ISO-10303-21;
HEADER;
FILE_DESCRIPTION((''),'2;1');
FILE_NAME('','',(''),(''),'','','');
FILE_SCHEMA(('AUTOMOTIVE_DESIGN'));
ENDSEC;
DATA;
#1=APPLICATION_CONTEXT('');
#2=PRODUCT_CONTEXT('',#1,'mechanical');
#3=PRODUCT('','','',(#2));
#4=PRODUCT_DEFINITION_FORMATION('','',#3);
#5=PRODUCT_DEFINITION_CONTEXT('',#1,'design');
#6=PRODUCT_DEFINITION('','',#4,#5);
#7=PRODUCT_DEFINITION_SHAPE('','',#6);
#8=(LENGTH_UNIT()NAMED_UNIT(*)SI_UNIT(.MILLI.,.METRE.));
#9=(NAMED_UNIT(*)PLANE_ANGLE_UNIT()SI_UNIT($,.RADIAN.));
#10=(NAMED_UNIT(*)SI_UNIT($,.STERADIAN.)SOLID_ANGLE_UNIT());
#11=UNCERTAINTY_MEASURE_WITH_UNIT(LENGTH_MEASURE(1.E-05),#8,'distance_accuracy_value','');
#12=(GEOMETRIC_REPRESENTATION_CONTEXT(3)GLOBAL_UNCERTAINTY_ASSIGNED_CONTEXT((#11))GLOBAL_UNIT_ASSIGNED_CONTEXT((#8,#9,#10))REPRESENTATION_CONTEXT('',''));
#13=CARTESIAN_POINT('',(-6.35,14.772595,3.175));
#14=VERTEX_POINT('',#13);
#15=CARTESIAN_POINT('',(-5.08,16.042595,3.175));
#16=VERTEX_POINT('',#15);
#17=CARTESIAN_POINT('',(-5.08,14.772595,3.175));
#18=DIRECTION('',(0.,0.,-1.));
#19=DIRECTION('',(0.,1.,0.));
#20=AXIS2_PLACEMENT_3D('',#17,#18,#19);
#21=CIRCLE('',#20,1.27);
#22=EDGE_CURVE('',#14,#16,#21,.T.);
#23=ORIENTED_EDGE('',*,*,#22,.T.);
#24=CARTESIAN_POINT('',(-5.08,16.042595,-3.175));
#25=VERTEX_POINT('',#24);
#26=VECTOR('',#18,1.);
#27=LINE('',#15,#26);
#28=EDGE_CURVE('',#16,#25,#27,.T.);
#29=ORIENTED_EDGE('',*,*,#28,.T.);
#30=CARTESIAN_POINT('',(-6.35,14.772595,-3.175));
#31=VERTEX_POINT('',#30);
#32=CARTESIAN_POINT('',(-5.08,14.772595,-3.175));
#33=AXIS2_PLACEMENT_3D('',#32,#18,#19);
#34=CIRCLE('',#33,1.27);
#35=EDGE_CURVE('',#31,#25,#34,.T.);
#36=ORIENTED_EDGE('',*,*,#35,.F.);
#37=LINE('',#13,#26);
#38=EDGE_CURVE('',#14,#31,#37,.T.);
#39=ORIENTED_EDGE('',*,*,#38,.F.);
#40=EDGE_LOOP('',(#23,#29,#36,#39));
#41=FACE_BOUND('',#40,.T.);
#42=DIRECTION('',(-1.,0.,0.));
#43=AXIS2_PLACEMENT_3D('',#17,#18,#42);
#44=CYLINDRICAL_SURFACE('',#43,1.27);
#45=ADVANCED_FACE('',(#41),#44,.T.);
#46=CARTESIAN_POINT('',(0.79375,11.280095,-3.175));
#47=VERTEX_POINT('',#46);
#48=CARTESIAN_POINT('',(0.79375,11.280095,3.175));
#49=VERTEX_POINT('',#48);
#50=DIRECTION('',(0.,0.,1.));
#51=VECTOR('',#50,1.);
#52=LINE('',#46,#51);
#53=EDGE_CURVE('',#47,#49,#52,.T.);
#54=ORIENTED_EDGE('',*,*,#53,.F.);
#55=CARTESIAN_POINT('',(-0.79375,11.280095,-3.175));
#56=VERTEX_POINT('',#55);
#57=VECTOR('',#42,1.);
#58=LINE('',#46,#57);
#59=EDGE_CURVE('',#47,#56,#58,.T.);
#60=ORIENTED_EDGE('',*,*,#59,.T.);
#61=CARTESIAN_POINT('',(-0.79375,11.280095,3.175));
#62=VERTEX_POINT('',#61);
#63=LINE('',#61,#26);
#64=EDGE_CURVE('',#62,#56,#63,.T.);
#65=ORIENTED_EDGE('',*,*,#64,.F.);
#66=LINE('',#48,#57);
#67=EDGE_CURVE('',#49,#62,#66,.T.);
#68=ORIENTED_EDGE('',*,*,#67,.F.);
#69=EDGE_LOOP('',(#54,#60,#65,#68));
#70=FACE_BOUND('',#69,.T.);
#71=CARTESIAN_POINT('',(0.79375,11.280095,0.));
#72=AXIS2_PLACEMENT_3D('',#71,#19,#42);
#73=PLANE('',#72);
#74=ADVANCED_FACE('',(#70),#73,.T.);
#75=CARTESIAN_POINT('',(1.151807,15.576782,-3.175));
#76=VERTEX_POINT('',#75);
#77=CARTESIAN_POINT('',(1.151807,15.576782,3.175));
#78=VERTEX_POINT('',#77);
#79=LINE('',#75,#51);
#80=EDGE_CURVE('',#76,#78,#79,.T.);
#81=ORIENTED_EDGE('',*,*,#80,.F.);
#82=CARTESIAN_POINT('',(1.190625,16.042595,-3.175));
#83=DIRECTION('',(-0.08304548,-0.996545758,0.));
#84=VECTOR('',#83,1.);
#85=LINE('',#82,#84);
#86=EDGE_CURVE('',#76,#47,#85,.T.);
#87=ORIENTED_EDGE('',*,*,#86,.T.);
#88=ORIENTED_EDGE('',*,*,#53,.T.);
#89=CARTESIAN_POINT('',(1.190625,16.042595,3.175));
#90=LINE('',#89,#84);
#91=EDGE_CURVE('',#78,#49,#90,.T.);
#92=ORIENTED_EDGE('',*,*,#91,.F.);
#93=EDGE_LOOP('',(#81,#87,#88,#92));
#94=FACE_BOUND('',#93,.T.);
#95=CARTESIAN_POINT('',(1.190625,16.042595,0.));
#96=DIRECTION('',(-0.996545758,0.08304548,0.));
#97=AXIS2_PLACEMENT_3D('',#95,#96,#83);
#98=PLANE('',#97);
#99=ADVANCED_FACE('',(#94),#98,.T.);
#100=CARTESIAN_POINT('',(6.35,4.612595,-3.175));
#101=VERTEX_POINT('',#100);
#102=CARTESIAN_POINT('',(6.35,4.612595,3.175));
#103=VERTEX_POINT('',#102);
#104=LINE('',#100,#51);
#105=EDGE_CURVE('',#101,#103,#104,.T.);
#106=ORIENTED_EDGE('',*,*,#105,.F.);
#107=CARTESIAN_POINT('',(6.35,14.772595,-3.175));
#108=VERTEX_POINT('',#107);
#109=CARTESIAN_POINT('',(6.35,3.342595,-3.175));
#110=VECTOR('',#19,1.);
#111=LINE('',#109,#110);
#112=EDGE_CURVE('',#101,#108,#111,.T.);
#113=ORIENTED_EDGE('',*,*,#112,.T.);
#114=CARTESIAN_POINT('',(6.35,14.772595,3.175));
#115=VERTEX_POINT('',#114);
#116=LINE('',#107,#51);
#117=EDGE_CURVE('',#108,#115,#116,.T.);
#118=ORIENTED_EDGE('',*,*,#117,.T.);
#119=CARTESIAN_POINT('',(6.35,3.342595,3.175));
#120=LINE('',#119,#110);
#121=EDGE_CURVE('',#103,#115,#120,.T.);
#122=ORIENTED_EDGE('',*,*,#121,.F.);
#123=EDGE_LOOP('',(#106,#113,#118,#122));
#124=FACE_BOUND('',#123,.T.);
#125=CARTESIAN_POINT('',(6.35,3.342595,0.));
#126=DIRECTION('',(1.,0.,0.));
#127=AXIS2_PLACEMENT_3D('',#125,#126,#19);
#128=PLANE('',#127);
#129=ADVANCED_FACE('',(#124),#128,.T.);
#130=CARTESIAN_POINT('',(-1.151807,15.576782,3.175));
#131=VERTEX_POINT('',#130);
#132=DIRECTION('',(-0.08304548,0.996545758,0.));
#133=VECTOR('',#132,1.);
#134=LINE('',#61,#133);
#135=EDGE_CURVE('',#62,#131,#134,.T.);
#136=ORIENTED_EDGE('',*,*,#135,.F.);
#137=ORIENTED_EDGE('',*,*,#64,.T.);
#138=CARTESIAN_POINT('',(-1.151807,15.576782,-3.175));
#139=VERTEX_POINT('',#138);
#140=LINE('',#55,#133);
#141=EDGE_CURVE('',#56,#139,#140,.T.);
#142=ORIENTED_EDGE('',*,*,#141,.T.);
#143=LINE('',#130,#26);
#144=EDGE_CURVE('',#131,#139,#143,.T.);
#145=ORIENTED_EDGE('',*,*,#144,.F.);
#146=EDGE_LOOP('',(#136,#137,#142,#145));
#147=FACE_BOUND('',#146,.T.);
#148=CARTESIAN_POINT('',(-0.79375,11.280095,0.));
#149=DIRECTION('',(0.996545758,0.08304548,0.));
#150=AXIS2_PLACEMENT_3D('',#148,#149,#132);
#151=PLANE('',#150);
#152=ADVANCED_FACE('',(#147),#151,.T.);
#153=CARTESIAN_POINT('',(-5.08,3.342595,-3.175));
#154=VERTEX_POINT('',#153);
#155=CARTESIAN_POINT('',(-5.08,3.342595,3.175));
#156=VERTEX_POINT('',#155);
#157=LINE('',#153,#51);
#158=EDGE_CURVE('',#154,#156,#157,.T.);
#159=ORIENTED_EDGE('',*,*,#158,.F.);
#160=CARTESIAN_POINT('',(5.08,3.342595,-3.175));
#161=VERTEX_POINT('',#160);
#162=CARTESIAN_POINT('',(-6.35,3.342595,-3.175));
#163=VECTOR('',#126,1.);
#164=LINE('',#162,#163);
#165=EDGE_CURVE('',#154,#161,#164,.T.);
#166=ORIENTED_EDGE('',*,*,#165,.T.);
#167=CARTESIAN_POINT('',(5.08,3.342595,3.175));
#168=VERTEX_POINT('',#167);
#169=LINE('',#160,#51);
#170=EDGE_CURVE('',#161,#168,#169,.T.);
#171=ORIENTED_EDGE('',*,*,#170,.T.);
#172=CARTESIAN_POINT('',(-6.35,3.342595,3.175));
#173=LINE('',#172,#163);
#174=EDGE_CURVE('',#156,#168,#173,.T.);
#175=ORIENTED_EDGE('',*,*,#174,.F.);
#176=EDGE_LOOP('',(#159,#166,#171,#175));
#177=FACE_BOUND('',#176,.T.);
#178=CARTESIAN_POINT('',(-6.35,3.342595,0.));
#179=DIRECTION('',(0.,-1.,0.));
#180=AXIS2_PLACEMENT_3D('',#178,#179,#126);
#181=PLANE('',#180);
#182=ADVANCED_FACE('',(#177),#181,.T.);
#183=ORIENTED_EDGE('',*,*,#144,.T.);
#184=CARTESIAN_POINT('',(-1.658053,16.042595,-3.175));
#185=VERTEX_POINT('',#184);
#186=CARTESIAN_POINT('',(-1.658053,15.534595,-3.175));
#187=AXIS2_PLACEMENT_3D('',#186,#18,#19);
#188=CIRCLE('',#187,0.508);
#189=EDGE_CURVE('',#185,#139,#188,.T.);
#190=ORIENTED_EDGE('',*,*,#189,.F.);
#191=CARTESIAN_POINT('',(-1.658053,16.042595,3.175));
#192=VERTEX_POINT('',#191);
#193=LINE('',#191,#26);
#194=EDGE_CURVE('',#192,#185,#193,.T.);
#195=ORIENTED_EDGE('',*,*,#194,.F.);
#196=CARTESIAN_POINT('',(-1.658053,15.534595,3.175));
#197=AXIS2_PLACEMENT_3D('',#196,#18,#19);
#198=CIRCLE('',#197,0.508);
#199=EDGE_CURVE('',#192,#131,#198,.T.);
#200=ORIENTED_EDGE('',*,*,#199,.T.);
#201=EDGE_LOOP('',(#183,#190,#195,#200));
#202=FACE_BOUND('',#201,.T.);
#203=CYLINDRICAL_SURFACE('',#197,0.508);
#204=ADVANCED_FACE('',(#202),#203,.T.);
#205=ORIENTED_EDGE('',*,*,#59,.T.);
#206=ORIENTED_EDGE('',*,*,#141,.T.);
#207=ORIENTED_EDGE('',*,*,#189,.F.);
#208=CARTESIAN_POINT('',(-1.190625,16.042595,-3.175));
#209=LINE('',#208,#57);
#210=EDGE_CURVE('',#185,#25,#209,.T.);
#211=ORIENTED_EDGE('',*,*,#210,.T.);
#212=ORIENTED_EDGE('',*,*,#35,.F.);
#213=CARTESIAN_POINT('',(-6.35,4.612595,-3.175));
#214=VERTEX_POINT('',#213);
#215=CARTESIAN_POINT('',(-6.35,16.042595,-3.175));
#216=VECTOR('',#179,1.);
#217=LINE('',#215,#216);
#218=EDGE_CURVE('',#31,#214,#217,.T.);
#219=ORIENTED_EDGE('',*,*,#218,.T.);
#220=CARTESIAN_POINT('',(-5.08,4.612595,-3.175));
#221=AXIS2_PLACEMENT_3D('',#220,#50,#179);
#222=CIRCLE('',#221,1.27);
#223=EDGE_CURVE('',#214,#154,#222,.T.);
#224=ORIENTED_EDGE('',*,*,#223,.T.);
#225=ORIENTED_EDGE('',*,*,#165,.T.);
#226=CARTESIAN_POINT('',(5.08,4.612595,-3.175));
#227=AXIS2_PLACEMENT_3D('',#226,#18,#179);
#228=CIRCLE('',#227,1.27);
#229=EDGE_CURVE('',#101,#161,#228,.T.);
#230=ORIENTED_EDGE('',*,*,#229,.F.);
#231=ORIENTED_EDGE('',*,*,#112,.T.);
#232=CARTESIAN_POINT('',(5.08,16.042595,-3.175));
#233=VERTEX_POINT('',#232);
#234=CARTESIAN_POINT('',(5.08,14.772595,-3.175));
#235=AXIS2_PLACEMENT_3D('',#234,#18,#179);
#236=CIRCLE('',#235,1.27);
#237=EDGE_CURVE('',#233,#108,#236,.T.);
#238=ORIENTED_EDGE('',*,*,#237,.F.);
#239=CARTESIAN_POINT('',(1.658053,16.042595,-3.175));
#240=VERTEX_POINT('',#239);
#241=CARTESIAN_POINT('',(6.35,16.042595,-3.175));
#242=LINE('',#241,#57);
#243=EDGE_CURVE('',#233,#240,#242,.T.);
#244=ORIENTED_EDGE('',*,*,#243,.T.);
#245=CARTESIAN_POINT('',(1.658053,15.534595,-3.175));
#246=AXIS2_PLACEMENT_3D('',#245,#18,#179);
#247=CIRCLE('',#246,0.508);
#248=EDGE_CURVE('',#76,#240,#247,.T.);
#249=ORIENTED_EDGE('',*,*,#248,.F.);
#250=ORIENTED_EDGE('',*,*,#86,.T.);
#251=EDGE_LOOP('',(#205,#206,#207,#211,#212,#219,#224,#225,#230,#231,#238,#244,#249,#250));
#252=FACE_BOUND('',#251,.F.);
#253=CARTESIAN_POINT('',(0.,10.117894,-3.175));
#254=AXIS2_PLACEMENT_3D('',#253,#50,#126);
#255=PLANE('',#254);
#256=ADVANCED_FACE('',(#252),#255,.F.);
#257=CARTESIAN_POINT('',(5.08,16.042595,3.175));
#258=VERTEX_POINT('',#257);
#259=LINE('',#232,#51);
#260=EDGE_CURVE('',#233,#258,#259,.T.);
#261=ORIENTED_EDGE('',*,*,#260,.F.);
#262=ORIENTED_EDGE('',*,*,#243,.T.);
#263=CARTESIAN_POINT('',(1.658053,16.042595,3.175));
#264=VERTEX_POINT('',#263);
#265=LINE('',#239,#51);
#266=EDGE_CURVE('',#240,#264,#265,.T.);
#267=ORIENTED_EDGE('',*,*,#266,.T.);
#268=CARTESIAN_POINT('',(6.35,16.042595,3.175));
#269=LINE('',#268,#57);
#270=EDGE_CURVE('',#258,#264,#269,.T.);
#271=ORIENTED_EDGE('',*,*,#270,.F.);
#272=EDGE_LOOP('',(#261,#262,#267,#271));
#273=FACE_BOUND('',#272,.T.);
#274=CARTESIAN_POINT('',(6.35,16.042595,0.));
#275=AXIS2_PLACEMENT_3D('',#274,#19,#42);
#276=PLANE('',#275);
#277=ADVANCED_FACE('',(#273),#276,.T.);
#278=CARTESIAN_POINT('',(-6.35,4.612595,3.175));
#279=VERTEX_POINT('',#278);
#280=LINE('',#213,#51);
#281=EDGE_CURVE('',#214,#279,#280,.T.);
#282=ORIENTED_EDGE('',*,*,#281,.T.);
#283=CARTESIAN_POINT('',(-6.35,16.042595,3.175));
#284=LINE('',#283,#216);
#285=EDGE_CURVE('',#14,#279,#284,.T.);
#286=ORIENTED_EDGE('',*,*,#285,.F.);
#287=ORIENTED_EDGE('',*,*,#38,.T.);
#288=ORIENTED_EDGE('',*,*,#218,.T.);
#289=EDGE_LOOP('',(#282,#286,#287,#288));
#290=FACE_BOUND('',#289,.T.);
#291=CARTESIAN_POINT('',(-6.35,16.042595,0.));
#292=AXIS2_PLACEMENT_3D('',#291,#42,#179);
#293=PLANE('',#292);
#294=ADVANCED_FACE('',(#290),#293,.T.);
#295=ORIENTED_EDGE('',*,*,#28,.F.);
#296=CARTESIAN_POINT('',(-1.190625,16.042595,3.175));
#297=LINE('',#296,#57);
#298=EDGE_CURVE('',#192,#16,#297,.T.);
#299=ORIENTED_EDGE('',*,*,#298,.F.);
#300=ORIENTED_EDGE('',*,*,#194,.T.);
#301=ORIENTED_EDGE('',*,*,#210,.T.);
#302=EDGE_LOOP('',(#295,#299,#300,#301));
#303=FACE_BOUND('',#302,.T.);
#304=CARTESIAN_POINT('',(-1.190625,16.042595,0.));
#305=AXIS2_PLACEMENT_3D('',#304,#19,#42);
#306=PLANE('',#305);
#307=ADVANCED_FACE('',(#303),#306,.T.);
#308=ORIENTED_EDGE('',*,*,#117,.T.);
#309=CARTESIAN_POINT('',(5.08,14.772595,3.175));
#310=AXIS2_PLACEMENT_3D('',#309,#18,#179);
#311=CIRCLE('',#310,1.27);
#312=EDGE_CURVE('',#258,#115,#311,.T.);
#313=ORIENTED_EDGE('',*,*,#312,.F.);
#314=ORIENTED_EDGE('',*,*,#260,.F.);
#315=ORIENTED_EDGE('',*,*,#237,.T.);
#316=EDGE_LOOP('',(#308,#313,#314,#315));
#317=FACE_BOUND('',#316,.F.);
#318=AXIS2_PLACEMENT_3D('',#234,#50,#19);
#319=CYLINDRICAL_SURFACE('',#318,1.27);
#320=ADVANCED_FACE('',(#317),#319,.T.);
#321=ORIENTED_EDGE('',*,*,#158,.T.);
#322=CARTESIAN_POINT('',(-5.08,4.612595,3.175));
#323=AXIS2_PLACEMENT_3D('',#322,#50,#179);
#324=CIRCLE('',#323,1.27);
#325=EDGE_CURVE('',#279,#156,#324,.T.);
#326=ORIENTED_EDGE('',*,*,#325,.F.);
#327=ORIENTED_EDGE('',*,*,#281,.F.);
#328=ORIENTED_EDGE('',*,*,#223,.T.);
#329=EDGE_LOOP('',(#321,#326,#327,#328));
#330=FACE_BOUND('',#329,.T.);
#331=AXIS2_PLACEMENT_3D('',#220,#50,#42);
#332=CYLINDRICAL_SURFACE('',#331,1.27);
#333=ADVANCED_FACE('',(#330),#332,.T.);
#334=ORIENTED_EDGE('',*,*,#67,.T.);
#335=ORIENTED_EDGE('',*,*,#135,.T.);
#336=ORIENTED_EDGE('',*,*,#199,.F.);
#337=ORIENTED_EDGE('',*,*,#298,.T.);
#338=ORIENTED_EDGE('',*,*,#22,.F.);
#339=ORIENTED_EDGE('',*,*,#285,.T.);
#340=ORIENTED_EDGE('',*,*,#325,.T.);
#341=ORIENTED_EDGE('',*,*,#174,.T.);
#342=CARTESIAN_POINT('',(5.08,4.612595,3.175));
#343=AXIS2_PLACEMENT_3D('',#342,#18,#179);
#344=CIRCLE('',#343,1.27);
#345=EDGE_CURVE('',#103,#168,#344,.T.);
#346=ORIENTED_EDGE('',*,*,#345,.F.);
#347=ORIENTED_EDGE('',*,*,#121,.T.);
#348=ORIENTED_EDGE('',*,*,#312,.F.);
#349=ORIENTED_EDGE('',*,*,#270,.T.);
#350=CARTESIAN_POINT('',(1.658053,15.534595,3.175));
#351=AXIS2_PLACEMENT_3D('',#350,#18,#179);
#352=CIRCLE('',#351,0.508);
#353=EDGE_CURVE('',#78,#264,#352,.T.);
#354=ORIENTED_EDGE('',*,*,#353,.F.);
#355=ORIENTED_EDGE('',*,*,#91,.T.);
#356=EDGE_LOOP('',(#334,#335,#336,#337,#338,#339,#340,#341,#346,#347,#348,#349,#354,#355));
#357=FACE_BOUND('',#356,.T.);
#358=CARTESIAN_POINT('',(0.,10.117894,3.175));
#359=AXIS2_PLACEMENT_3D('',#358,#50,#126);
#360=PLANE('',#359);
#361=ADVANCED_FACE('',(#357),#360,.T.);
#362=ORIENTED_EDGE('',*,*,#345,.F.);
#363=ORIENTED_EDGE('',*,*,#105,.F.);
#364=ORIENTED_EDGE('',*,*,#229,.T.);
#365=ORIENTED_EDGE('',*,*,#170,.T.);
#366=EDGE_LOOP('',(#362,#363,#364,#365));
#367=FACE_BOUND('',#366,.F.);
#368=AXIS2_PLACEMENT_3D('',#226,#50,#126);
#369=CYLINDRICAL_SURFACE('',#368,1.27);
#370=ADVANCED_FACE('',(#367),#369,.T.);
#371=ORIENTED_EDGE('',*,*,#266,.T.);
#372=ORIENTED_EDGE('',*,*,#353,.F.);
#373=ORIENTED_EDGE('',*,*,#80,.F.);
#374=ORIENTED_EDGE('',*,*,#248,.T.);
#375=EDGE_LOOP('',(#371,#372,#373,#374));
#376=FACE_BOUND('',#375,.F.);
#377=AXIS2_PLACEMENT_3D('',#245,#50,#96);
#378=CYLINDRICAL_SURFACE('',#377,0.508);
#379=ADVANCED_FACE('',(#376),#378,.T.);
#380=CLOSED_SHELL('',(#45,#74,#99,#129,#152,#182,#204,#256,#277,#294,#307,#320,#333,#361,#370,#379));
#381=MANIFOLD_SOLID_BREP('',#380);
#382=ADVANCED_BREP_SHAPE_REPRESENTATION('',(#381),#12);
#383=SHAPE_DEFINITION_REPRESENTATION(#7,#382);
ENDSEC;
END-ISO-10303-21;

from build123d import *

# Parameters (mm, degrees)
F1_DEPTH = 3.175
F2_R     = 1.27
F3_R     = 0.508


with BuildPart() as f1:
    # F0 (on Top) → F1 (new body, symmetric)
    with BuildSketch(Plane.XY):
        Polygon((-6.35, 16.042595), (-6.35, 3.342595), (6.35, 3.342595), (6.35, 16.042595), (1.190625, 16.042595), (0.79375, 11.280095), (-0.79375, 11.280095), (-1.190625, 16.042595), align=None)
    extrude(amount=F1_DEPTH, both=True)

    # F2
    f2_edges = [f1.edges().sort_by_distance(p)[0] for p in [
        (-6.35, 3.342595, 0),
        (6.35, 3.342595, 0),
        (6.35, 16.042595, 0),
        (-6.35, 16.042595, 0),
    ]]
    fillet(f2_edges, radius=F2_R)

    # F3
    f3_edges = [f1.edges().sort_by_distance(p)[0] for p in [
        (1.190625, 16.042595, 0),
        (-1.190625, 16.042595, 0),
    ]]
    fillet(f3_edges, radius=F3_R)


solid = f1.part
